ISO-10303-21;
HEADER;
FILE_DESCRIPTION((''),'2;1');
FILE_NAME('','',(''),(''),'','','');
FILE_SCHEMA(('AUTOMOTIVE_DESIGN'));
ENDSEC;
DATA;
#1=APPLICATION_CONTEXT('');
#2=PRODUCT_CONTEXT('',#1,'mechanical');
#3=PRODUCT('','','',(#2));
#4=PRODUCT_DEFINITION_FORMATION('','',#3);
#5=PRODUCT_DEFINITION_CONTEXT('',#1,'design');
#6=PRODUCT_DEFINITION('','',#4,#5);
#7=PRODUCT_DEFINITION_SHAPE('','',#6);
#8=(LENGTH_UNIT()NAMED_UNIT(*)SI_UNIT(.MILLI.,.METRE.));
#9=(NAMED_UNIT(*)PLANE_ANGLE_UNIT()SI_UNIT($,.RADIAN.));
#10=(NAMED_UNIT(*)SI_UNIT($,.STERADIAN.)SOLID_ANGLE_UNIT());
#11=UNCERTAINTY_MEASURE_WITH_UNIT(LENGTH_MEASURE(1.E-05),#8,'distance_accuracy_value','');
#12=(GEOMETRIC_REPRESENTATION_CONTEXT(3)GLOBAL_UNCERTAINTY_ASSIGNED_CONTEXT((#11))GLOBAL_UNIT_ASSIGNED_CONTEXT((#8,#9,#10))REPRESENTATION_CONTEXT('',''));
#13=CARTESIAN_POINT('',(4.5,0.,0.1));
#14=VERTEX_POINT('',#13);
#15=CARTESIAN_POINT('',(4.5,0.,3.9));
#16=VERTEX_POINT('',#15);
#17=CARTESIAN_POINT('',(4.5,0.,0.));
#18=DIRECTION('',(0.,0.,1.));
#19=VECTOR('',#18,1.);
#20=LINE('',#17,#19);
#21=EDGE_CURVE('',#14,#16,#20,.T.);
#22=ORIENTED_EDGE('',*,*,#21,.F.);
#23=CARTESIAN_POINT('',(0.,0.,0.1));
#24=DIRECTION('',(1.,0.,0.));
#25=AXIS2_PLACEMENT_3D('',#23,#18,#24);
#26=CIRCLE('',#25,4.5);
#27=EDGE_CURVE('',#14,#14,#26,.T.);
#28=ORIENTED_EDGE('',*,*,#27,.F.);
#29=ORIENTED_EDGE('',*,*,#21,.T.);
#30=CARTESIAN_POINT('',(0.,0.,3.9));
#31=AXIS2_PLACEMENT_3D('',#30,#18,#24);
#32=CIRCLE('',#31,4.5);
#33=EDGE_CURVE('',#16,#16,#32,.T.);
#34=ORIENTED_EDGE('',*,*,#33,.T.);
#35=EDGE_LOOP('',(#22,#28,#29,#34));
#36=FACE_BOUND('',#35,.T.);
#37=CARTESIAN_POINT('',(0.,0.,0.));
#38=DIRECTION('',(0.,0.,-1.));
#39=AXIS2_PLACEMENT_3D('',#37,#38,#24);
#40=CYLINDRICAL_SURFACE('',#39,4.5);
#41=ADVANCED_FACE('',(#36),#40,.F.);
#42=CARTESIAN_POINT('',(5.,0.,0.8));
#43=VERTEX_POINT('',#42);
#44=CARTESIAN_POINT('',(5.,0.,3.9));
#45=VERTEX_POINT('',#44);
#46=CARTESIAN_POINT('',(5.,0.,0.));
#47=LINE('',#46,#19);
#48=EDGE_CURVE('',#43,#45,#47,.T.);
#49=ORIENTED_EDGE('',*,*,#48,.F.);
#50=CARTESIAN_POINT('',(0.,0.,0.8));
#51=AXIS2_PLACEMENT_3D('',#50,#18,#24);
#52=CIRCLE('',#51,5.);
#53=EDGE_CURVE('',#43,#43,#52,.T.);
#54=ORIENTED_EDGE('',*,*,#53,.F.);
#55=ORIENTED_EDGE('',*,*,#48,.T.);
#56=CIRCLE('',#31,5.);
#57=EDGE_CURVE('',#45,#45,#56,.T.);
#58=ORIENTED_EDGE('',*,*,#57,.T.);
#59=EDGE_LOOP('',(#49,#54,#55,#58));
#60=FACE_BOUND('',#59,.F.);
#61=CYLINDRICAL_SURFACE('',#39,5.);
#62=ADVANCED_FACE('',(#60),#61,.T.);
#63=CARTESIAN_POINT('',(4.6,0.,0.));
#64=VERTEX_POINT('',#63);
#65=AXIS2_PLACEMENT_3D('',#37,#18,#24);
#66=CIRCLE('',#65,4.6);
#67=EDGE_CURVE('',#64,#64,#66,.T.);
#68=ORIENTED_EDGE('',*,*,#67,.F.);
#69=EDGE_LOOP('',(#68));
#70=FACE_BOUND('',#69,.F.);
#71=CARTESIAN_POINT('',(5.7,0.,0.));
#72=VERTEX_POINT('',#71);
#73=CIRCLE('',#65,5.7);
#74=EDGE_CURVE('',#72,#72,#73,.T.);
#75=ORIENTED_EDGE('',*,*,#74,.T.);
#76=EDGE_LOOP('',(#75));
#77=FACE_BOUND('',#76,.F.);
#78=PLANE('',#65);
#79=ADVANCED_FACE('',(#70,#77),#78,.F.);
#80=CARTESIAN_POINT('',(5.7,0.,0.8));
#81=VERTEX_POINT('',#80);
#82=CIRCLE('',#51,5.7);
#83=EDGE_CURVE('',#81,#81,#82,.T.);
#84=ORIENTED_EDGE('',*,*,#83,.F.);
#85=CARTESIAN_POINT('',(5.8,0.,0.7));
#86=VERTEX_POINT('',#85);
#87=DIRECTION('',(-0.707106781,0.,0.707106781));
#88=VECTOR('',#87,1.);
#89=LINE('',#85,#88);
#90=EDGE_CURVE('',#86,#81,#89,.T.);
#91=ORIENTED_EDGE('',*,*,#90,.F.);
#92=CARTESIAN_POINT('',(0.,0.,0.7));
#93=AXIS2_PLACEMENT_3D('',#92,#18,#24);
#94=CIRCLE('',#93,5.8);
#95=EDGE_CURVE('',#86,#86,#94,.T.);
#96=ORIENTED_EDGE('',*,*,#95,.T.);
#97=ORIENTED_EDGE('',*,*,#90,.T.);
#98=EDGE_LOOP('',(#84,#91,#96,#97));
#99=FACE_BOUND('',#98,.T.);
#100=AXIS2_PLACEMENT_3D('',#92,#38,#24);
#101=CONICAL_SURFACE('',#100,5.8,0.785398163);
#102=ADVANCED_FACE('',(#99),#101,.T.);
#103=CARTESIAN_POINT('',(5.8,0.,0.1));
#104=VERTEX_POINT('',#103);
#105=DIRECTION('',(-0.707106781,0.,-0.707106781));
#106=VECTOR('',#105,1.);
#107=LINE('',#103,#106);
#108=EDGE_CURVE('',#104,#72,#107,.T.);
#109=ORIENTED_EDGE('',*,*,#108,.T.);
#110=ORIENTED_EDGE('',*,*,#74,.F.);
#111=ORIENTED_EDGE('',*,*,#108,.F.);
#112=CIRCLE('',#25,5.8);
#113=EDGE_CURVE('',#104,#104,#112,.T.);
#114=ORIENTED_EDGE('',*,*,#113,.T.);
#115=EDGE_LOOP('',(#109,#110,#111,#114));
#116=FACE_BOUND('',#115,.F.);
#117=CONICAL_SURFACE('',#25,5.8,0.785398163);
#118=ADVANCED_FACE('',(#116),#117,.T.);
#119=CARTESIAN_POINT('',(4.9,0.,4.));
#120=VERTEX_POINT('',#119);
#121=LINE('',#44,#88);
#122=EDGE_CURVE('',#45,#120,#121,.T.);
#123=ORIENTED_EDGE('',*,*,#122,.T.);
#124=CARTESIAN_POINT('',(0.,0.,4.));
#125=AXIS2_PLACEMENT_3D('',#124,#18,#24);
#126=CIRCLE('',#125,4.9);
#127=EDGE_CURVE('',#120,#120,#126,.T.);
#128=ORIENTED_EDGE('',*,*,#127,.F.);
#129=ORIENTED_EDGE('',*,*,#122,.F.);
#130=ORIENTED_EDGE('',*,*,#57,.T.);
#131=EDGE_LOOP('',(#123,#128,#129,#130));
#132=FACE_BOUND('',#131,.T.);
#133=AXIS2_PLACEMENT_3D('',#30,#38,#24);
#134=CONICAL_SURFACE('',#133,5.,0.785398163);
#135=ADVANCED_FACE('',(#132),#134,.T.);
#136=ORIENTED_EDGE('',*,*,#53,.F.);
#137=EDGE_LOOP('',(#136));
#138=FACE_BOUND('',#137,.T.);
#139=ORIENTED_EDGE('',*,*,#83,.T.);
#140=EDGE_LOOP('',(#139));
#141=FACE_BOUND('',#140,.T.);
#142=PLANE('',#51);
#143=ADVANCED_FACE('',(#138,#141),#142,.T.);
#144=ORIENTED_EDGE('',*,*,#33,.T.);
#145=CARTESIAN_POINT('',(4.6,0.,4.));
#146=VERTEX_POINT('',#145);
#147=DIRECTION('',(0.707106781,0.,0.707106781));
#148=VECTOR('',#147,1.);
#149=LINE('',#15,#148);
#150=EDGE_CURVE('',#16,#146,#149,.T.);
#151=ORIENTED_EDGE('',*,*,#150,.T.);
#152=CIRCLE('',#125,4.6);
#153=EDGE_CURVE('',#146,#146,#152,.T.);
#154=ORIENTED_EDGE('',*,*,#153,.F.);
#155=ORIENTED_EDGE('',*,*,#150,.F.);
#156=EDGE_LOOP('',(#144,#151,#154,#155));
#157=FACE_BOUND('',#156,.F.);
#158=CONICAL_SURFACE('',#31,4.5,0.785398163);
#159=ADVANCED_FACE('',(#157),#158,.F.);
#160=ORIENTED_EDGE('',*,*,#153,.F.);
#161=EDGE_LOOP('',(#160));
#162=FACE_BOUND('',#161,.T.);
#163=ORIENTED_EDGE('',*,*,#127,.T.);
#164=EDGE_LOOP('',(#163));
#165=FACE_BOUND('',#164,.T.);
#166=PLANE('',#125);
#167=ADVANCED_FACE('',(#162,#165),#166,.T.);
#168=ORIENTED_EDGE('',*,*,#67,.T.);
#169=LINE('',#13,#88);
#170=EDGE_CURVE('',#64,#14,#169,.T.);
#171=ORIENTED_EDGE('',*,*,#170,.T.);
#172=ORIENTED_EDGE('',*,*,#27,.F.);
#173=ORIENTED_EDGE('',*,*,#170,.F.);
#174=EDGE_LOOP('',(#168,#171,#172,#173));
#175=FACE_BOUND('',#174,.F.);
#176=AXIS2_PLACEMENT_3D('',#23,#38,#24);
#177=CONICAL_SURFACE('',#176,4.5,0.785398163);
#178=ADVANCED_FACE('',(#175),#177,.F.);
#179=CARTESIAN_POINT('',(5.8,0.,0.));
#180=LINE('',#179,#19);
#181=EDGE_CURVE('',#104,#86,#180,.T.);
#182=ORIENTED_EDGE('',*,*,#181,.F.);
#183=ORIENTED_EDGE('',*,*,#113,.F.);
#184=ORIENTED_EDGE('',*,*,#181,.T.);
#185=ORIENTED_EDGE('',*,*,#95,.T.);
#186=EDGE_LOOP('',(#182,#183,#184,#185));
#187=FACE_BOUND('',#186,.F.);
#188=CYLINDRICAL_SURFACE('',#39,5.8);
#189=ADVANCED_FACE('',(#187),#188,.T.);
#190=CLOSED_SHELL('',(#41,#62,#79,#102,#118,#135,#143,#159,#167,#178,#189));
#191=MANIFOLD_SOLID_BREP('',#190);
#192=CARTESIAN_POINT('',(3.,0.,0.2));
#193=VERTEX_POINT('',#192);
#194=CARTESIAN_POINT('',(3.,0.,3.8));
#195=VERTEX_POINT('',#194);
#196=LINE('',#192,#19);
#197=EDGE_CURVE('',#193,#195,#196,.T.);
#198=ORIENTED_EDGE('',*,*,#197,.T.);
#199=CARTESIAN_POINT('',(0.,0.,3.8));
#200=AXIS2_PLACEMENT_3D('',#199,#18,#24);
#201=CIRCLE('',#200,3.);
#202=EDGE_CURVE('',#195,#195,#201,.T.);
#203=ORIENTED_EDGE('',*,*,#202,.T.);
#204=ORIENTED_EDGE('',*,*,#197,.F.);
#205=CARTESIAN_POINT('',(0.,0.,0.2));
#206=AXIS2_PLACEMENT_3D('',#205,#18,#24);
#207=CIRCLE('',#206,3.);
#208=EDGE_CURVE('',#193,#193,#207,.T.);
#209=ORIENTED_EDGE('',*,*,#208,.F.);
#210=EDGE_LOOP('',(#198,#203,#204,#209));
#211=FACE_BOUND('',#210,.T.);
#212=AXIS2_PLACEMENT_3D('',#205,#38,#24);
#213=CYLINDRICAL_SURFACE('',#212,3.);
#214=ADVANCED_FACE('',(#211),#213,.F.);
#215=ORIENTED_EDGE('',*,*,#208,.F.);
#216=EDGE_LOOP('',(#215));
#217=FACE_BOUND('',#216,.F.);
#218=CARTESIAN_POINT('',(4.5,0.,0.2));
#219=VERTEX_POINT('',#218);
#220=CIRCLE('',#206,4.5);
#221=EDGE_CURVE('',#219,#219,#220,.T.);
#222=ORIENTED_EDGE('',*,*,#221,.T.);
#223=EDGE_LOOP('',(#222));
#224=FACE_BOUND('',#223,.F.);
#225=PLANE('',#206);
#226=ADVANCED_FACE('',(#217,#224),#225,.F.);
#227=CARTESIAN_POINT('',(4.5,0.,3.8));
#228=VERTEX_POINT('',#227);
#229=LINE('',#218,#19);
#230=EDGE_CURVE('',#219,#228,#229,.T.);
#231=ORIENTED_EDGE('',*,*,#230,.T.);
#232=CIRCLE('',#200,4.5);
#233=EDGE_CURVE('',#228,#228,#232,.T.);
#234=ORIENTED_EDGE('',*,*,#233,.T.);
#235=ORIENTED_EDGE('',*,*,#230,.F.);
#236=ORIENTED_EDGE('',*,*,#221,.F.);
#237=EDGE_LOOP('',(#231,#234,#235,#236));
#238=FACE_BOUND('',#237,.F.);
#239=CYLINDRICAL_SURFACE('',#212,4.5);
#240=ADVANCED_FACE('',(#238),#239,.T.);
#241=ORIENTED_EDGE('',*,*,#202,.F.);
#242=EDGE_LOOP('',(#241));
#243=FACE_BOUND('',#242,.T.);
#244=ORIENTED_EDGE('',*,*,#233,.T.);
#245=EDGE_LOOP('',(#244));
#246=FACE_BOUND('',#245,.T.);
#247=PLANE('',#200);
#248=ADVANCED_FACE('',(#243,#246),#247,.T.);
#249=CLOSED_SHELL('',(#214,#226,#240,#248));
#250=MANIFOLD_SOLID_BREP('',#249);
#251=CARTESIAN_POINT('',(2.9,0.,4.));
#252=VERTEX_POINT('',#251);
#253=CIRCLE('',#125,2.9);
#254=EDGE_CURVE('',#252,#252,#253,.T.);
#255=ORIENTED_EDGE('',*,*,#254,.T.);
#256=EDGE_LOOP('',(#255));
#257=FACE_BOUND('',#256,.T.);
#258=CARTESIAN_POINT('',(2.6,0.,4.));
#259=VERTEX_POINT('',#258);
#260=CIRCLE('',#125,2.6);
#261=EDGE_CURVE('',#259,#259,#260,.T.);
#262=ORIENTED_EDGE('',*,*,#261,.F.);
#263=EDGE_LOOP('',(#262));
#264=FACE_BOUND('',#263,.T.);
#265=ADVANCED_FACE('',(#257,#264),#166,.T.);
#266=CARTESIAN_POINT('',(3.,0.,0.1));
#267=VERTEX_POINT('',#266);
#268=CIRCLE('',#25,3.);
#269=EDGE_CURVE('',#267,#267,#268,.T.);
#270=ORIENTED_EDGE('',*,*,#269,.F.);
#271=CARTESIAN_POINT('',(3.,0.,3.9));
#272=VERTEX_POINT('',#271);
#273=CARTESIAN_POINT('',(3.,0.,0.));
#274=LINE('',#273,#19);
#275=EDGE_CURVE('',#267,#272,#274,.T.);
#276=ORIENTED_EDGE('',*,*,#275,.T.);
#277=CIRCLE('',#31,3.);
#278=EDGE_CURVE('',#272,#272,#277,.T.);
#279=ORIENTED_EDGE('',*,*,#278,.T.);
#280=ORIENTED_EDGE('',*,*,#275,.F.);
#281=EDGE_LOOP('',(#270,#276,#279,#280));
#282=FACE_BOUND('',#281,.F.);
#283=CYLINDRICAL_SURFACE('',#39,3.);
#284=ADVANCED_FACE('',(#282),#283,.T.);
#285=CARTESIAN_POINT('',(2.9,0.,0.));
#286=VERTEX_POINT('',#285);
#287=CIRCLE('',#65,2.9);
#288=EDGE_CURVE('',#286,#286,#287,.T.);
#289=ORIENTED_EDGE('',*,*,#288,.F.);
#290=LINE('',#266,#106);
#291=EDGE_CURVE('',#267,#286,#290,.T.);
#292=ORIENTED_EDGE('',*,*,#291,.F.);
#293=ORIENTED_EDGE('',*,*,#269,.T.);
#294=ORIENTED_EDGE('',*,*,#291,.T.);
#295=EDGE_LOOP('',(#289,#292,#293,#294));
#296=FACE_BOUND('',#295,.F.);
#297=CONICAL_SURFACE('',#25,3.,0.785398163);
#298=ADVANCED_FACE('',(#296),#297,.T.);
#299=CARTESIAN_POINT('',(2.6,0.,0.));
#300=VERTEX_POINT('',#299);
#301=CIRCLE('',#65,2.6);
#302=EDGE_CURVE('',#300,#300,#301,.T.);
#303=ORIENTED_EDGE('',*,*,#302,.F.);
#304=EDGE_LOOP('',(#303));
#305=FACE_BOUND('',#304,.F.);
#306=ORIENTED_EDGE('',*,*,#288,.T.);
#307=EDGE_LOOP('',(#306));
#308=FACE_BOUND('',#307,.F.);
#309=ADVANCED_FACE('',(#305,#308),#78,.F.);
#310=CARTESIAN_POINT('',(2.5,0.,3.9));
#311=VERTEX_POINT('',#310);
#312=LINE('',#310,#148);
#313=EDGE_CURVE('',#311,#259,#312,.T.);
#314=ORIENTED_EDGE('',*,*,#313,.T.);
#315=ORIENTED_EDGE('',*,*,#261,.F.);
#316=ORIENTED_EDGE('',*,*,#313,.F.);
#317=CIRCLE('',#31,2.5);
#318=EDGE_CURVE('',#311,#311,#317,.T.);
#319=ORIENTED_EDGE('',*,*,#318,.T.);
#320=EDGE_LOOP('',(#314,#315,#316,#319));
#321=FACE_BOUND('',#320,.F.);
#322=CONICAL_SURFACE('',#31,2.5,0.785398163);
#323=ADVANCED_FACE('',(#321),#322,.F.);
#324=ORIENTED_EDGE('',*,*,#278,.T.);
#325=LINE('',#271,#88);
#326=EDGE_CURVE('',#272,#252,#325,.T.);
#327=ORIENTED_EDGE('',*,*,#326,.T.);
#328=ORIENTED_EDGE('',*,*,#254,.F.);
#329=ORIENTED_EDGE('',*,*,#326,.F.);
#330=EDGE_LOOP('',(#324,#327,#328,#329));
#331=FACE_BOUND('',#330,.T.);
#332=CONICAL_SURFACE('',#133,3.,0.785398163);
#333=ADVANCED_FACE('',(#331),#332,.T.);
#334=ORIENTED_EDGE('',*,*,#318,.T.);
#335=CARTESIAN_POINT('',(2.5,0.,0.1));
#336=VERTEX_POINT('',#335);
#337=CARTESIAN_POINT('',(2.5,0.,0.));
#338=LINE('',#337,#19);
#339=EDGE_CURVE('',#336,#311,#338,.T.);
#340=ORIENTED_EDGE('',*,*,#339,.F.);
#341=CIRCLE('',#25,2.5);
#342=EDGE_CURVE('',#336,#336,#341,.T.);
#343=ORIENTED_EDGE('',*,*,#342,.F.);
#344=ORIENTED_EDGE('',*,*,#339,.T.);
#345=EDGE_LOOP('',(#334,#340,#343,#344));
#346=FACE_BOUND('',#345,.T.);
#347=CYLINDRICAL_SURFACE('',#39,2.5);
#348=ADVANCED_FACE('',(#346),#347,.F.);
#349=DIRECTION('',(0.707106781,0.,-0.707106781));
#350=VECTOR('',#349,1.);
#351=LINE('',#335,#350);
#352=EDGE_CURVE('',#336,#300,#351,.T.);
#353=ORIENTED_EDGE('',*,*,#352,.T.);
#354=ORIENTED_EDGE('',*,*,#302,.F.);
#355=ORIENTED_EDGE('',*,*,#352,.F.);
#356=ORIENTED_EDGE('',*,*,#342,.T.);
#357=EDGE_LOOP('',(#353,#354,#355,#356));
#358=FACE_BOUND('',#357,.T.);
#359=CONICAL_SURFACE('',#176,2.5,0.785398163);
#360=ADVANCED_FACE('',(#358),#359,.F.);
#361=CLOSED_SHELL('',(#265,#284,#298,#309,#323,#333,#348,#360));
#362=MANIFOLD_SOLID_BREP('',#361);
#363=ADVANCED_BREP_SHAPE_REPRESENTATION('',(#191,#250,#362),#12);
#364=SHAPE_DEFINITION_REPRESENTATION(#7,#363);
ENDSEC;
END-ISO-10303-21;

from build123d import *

# Parameters (mm, degrees)
F0_R      = 3
F0_R_2    = 2.5
F1_DEPTH  = 4
F0_R_3    = 5
F0_R_4    = 4.5
F0_R_5    = 5.8
F2_DEPTH  = 0.8
F3_START  = 0.2
F3_DEPTH  = 3.6
F4_SIZE   = 0.1
F4_2_SIZE = 0.1


with BuildPart() as f1:
    # F0 (on Top) → F1 (new body)
    with BuildSketch(Plane.XY):
        Circle(F0_R)
        Circle(F0_R_2, mode=Mode.SUBTRACT)
    extrude(amount=F1_DEPTH)

    # F4#2
    f4_2_edges = [f1.edges().sort_by_distance(p)[0] for p in [
        (-3, 0, 0),
        (-2.5, 0, 0),
        (-3, 0, 4),
        (-2.5, 0, 4),
    ]]
    chamfer(f4_2_edges, length=F4_2_SIZE)


with BuildPart() as f1b:
    # F0 (on Top) → F1, piece 2 (new body)
    with BuildSketch(Plane.XY):
        Circle(F0_R_3)
        Circle(F0_R_4, mode=Mode.SUBTRACT)
    extrude(amount=F1_DEPTH)

    # F0 (on Top) → F2 (join)
    with BuildSketch(Plane.XY):
        Circle(F0_R_5)
        Circle(F0_R_3, mode=Mode.SUBTRACT)
    extrude(amount=F2_DEPTH)

    # F4
    f4_edges = [f1b.edges().sort_by_distance(p)[0] for p in [
        (-5.8, 0, 0),
        (-4.5, 0, 0),
        (-5, 0, 4),
        (-4.5, 0, 4),
        (-5.8, 0, 0.8),
    ]]
    chamfer(f4_edges, length=F4_SIZE)


with BuildPart() as f3:
    # F0 (on Top) → F3 (new body)
    with BuildSketch(Plane.XY.offset(F3_START)):
        Circle(F0_R_4)
        Circle(F0_R, mode=Mode.SUBTRACT)
    extrude(amount=F3_DEPTH)


solid = Compound([f1.part, f1b.part, f3.part])
